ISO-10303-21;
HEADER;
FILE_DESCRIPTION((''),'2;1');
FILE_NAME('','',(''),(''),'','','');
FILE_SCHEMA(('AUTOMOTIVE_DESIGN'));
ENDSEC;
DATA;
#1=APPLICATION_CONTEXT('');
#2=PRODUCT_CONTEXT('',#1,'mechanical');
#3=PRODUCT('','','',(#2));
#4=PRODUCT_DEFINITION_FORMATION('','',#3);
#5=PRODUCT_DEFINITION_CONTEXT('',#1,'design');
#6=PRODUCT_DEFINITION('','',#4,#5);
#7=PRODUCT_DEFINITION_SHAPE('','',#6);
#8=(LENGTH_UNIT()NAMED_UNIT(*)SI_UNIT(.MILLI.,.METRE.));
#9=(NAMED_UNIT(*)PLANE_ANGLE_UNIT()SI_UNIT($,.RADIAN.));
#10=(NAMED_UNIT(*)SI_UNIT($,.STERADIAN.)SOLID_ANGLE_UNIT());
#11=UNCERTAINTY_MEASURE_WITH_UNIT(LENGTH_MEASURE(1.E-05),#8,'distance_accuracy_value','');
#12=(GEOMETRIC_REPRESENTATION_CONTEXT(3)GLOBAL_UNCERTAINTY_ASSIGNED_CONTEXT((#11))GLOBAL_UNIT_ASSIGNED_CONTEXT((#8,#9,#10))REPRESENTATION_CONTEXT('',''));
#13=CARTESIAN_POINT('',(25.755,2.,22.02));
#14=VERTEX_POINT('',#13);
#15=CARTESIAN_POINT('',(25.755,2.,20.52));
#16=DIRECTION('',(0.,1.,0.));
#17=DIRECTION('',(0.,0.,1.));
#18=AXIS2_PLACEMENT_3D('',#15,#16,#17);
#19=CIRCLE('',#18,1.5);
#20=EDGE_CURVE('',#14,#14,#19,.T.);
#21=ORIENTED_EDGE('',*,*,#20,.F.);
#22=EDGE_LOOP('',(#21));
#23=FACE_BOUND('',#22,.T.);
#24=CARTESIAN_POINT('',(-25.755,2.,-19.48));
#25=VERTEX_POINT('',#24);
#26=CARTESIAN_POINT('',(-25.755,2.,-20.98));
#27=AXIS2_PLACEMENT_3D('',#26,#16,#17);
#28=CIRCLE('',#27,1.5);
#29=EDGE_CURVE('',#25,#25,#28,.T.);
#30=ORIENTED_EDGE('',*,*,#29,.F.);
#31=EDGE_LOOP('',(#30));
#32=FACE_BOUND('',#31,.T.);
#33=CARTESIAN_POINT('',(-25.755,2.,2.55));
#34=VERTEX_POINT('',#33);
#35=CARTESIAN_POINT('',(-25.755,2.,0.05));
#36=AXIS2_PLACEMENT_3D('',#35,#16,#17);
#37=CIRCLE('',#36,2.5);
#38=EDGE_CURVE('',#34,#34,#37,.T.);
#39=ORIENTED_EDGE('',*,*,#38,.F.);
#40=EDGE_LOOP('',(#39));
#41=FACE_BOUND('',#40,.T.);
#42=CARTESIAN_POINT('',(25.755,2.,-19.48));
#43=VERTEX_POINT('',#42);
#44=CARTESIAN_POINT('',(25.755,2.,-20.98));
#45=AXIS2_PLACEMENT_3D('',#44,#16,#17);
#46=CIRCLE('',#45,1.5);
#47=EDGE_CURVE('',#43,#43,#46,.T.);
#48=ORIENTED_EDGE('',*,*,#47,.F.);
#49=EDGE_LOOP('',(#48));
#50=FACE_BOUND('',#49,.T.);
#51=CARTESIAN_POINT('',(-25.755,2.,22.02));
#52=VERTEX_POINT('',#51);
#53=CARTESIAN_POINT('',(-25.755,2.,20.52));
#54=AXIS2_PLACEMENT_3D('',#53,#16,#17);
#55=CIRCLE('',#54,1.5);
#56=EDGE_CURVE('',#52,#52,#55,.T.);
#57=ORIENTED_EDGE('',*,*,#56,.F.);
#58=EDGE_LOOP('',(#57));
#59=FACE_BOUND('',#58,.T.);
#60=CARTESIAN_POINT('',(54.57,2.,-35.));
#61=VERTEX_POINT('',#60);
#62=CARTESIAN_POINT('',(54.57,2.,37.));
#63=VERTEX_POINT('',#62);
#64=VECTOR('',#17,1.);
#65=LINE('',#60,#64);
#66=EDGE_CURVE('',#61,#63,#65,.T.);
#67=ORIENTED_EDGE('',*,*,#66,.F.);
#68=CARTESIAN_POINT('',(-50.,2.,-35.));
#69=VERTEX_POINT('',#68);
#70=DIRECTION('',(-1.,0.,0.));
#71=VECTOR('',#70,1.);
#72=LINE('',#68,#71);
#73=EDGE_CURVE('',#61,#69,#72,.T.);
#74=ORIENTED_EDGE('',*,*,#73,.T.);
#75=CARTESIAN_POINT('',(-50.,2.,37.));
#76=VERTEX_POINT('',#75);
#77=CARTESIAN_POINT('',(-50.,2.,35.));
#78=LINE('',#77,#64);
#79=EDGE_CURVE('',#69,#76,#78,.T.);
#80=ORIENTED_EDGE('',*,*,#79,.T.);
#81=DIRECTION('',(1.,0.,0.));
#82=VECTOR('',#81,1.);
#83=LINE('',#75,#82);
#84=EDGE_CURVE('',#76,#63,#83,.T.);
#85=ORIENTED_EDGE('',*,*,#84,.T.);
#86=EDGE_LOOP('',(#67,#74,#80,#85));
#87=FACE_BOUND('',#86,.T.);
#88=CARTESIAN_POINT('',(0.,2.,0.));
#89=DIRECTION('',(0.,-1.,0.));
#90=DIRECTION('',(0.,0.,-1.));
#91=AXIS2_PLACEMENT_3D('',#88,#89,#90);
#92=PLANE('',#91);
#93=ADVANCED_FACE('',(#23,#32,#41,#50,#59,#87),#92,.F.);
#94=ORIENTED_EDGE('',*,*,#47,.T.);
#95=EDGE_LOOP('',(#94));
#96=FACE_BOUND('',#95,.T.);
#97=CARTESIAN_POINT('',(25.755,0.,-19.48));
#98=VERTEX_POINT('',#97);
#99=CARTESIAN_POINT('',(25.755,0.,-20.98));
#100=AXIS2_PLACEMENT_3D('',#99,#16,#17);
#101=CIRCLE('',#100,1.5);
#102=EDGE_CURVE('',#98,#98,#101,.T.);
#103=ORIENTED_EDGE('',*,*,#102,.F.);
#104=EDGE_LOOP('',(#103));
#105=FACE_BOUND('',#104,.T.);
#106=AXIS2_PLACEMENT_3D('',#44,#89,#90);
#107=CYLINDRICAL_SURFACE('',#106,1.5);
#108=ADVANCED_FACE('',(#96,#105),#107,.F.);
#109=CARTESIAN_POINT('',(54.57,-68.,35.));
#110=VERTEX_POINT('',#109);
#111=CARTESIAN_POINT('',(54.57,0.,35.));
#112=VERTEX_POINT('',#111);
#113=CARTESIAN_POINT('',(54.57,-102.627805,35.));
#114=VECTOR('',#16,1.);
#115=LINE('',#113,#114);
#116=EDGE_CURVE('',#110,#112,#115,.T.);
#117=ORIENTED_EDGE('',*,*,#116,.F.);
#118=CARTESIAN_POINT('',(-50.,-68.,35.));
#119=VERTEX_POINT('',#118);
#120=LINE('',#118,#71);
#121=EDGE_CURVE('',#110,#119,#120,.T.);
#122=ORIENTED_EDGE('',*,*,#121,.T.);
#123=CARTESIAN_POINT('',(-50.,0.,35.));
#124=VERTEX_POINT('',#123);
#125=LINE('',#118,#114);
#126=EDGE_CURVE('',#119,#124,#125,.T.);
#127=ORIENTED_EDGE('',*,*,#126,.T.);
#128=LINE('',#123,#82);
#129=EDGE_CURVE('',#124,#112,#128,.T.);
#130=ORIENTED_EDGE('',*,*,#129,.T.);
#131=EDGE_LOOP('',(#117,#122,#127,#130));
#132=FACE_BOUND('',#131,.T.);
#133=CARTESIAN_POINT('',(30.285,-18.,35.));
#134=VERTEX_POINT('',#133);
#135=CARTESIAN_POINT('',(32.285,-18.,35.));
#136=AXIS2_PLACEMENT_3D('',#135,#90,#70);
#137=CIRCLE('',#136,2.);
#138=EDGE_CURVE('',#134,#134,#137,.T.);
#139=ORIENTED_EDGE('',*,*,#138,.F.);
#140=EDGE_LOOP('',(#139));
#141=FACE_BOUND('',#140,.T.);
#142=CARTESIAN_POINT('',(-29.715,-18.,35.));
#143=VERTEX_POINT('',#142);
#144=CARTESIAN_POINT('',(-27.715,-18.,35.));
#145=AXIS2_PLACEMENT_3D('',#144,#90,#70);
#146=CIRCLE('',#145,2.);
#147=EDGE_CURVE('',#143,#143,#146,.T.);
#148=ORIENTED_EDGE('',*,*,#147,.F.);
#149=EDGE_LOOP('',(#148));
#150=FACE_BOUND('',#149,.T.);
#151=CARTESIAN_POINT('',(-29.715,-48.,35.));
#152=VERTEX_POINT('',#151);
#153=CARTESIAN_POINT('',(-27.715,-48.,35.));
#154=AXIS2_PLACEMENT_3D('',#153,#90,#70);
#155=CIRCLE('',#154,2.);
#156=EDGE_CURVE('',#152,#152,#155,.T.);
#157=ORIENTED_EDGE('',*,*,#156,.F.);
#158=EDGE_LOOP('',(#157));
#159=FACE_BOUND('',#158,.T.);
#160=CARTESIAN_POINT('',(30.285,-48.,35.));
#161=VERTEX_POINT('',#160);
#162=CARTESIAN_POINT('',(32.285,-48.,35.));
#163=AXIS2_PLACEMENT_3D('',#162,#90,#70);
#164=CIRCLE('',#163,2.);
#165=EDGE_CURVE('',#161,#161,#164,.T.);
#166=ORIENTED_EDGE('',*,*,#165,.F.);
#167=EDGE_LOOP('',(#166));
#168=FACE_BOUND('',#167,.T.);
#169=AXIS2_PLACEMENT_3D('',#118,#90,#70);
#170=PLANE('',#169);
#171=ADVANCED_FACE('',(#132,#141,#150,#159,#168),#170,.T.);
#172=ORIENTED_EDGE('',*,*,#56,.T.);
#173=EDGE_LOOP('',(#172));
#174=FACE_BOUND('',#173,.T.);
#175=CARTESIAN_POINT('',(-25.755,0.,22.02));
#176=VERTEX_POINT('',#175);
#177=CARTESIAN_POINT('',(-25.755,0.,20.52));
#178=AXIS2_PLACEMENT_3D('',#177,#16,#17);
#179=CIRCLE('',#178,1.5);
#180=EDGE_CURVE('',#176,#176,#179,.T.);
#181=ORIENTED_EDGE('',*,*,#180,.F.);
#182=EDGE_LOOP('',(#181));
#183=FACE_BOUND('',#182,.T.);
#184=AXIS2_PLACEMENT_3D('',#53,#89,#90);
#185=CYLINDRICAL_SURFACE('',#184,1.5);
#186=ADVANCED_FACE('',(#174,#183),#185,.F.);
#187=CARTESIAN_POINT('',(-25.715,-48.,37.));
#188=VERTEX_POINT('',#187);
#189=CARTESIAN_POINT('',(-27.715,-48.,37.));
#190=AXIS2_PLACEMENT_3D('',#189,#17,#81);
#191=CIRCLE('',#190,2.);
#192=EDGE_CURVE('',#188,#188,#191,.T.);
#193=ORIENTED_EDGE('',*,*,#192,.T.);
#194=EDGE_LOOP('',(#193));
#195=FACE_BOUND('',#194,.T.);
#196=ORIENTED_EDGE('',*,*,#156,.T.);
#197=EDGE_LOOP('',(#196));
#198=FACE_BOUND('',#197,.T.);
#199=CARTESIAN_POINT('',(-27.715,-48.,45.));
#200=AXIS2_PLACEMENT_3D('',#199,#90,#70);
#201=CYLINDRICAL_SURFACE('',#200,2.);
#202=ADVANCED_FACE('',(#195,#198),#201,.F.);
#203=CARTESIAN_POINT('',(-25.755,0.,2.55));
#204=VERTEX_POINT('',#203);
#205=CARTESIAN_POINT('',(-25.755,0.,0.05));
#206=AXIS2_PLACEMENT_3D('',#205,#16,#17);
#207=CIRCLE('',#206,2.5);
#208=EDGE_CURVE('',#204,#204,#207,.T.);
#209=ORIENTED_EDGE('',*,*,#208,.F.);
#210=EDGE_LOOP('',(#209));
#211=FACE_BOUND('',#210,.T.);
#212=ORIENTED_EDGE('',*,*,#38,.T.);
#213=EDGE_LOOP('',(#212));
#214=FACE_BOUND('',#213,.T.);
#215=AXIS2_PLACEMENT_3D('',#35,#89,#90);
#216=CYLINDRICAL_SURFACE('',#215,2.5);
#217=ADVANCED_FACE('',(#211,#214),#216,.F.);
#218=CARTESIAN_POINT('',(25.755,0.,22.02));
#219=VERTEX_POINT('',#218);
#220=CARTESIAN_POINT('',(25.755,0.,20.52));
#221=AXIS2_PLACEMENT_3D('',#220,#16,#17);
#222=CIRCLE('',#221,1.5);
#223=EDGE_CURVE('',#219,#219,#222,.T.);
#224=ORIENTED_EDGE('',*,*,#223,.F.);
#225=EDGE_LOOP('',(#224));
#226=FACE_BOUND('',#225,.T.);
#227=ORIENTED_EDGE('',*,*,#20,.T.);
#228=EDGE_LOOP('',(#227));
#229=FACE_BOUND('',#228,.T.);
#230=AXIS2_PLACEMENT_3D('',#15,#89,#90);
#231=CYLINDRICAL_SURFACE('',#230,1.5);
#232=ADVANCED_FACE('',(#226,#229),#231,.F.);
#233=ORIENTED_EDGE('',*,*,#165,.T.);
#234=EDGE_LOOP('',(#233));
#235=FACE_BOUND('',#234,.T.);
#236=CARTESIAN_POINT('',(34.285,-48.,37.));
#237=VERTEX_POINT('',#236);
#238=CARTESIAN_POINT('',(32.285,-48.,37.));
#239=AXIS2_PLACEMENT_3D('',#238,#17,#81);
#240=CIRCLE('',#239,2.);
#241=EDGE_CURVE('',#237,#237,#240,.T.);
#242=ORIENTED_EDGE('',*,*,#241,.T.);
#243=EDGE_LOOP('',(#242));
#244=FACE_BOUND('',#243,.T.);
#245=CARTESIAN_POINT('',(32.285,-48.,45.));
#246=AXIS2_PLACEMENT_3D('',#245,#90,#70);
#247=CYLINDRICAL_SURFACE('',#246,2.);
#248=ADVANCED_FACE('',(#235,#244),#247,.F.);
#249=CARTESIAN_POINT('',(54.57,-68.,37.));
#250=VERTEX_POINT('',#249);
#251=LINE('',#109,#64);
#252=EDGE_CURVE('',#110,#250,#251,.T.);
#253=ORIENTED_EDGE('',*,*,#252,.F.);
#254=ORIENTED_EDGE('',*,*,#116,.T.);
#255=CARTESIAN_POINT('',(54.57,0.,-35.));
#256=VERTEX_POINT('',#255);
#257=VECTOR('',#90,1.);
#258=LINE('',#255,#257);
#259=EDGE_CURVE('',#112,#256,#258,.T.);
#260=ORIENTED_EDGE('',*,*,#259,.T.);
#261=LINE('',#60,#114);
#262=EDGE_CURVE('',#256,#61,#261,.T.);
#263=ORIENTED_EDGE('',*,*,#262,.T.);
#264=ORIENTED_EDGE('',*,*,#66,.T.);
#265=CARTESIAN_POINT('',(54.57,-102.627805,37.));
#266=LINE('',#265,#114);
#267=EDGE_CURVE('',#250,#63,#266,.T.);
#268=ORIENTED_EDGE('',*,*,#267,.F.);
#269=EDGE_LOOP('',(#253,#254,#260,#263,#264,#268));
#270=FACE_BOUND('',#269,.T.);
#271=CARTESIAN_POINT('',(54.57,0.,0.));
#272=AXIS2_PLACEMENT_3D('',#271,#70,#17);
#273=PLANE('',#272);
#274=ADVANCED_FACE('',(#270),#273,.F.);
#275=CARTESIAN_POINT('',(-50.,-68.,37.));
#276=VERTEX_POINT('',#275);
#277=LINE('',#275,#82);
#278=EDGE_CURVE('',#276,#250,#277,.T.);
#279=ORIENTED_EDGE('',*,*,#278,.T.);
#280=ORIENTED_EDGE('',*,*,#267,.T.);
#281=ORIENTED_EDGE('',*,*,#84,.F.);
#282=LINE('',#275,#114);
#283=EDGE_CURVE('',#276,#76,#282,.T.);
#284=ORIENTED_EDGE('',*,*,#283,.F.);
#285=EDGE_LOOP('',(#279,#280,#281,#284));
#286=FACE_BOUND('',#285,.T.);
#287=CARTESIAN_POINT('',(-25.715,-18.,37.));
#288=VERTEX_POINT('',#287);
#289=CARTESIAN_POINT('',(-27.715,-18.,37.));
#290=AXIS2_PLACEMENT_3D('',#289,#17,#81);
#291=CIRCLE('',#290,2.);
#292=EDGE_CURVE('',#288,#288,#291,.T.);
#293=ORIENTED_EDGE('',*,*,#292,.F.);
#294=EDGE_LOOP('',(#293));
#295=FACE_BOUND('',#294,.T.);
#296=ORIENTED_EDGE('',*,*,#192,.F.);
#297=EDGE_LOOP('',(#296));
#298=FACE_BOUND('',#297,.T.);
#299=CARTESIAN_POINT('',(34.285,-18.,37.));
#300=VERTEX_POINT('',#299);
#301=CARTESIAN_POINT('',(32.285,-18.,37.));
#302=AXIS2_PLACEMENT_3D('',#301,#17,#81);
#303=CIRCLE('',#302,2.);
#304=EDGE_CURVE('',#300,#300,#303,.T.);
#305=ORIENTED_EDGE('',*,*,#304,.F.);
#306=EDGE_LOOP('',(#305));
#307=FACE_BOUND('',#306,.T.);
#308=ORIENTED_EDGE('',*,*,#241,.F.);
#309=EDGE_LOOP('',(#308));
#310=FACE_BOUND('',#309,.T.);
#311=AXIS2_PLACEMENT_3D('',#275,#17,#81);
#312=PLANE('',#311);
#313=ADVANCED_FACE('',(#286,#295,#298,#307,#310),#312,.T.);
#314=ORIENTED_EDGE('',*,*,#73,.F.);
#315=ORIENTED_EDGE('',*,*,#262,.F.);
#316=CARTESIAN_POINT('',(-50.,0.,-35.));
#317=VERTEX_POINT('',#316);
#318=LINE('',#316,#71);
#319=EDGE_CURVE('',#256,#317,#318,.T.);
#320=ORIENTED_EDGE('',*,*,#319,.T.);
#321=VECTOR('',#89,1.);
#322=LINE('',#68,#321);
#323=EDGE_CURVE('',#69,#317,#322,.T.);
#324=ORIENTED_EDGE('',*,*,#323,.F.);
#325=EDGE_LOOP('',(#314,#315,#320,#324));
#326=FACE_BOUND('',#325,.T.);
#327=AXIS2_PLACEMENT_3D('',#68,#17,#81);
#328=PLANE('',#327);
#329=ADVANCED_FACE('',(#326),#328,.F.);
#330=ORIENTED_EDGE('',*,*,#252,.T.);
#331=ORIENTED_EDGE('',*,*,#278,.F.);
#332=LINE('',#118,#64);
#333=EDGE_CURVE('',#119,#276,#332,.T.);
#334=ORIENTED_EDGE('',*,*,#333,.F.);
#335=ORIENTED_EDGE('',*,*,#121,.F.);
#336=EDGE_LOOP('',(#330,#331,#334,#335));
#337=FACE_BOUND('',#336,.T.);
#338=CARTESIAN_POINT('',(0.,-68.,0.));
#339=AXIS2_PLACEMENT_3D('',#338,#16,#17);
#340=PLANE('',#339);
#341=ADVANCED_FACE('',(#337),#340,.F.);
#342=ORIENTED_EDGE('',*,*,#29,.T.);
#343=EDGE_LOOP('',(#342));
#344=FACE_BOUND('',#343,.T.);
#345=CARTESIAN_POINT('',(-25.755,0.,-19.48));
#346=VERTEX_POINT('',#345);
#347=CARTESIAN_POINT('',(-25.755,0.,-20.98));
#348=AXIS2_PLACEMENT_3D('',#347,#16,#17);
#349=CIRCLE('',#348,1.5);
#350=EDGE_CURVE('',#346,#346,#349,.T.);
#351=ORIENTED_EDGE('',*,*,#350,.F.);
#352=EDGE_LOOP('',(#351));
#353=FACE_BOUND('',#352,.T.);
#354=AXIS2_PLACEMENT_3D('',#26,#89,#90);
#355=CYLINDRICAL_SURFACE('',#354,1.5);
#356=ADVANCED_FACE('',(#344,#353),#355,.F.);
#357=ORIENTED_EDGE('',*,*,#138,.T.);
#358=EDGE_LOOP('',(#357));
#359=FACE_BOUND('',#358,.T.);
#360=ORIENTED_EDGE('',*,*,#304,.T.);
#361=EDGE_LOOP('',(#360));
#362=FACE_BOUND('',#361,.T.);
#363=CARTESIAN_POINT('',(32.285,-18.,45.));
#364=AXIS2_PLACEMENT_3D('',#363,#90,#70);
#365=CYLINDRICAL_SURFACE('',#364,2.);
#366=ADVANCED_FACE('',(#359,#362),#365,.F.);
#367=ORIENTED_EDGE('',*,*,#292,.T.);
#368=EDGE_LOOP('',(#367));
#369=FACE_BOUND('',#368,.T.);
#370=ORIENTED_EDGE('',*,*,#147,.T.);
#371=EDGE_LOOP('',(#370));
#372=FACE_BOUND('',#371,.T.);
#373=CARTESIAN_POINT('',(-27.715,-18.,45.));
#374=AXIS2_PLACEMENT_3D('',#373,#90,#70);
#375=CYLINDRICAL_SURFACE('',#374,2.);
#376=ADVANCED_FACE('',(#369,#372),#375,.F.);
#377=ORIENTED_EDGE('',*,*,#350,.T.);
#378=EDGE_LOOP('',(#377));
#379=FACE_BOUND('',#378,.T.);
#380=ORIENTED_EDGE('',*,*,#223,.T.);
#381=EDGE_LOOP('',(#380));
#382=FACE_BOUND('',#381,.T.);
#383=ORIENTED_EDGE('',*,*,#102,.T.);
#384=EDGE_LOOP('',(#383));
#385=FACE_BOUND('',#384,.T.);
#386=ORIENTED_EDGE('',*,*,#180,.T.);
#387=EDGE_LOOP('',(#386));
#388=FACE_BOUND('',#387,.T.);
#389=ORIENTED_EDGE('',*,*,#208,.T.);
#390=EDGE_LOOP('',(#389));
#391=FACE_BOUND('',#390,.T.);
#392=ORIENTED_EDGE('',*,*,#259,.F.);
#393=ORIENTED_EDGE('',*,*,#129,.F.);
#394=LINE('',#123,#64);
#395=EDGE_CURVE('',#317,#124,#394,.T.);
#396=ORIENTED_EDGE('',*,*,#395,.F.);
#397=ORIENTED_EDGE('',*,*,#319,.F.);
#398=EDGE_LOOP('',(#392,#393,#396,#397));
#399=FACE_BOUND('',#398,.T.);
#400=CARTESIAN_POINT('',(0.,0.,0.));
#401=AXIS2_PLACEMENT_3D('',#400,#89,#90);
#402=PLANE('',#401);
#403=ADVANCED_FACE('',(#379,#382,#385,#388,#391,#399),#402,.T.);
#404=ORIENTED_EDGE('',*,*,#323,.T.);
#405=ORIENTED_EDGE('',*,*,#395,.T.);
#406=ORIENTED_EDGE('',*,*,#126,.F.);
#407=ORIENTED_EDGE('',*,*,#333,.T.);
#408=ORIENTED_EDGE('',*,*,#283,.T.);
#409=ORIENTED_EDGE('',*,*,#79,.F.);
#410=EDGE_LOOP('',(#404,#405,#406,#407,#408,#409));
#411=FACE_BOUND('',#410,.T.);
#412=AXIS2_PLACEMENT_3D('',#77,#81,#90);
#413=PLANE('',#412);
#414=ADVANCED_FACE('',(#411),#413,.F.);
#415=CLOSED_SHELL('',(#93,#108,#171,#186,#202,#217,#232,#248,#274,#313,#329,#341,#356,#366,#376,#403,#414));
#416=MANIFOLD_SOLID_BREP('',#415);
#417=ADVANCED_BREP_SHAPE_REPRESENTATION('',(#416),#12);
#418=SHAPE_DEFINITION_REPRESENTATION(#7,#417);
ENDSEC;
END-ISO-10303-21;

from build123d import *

# Parameters (mm, degrees)
SKETCH1_W           = 100
SKETCH1_H           = 70
SKETCH1_R           = 1.5
SKETCH1_R_2         = 2.5
BOSS_EXTRUDE1_DEPTH = 2
SKETCH2_W           = 70
SKETCH2_H           = 2
BOSS_EXTRUDE2_DEPTH = 70
SKETCH3_W           = 70
SKETCH3_H           = 2
BOSS_EXTRUDE3_DEPTH = 4.57
SKETCH4_W           = 34.57
SKETCH4_H           = 2
BOSS_EXTRUDE4_DEPTH = 70
SKETCH5_R           = 2
CUT_EXTRUDE1_DEPTH  = 10


with BuildPart() as part:
    # Sketch1 → Boss-Extrude1 (new body)
    with BuildSketch(Plane(origin=(0, 0, 0), x_dir=(1, 0, 0), z_dir=(0, 1, 0))):
        Rectangle(SKETCH1_W, SKETCH1_H)
        with Locations((25.755, 20.98)):
            Circle(SKETCH1_R, mode=Mode.SUBTRACT)
        with Locations((-25.755, 20.98)):
            Circle(SKETCH1_R, mode=Mode.SUBTRACT)
        with Locations((25.755, -20.52)):
            Circle(SKETCH1_R, mode=Mode.SUBTRACT)
        with Locations((-25.755, -20.52)):
            Circle(SKETCH1_R, mode=Mode.SUBTRACT)
        with Locations((-25.755, -0.05)):
            Circle(SKETCH1_R_2, mode=Mode.SUBTRACT)
    extrude(amount=BOSS_EXTRUDE1_DEPTH)

    # Sketch2 → Boss-Extrude2 (add)
    with BuildSketch(Plane(origin=(0, 2, 0), x_dir=(1, 0, 0), z_dir=(0, 1, 0))):
        with Locations((-15, -36)):
            Rectangle(SKETCH2_W, SKETCH2_H)
    extrude(amount=-BOSS_EXTRUDE2_DEPTH)

    # Sketch3 → Boss-Extrude3 (add)
    with BuildSketch(Plane(origin=(50, 0, 0), x_dir=(0, 0, -1), z_dir=(1, 0, 0))):
        with Locations((0, 1)):
            Rectangle(SKETCH3_W, SKETCH3_H)
    extrude(amount=BOSS_EXTRUDE3_DEPTH)

    # Sketch4 → Boss-Extrude4 (add)
    with BuildSketch(Plane(origin=(0, 2, 0), x_dir=(1, 0, 0), z_dir=(0, 1, 0))):
        with Locations((37.285, -36)):
            Rectangle(SKETCH4_W, SKETCH4_H)
    extrude(amount=-BOSS_EXTRUDE4_DEPTH)

    # Sketch5 → Cut-Extrude1 (cut)
    with BuildSketch(Plane(origin=(0, 0, 35), x_dir=(-1, 0, 0), z_dir=(0, 0, -1))):
        with Locations((-32.285, -18)):
            Circle(SKETCH5_R)
        with Locations((27.715, -48)):
            Circle(SKETCH5_R)
        with Locations((-32.285, -48)):
            Circle(SKETCH5_R)
        with Locations((27.715, -18)):
            Circle(SKETCH5_R)
    extrude(amount=-CUT_EXTRUDE1_DEPTH, mode=Mode.SUBTRACT)


solid = part.part
